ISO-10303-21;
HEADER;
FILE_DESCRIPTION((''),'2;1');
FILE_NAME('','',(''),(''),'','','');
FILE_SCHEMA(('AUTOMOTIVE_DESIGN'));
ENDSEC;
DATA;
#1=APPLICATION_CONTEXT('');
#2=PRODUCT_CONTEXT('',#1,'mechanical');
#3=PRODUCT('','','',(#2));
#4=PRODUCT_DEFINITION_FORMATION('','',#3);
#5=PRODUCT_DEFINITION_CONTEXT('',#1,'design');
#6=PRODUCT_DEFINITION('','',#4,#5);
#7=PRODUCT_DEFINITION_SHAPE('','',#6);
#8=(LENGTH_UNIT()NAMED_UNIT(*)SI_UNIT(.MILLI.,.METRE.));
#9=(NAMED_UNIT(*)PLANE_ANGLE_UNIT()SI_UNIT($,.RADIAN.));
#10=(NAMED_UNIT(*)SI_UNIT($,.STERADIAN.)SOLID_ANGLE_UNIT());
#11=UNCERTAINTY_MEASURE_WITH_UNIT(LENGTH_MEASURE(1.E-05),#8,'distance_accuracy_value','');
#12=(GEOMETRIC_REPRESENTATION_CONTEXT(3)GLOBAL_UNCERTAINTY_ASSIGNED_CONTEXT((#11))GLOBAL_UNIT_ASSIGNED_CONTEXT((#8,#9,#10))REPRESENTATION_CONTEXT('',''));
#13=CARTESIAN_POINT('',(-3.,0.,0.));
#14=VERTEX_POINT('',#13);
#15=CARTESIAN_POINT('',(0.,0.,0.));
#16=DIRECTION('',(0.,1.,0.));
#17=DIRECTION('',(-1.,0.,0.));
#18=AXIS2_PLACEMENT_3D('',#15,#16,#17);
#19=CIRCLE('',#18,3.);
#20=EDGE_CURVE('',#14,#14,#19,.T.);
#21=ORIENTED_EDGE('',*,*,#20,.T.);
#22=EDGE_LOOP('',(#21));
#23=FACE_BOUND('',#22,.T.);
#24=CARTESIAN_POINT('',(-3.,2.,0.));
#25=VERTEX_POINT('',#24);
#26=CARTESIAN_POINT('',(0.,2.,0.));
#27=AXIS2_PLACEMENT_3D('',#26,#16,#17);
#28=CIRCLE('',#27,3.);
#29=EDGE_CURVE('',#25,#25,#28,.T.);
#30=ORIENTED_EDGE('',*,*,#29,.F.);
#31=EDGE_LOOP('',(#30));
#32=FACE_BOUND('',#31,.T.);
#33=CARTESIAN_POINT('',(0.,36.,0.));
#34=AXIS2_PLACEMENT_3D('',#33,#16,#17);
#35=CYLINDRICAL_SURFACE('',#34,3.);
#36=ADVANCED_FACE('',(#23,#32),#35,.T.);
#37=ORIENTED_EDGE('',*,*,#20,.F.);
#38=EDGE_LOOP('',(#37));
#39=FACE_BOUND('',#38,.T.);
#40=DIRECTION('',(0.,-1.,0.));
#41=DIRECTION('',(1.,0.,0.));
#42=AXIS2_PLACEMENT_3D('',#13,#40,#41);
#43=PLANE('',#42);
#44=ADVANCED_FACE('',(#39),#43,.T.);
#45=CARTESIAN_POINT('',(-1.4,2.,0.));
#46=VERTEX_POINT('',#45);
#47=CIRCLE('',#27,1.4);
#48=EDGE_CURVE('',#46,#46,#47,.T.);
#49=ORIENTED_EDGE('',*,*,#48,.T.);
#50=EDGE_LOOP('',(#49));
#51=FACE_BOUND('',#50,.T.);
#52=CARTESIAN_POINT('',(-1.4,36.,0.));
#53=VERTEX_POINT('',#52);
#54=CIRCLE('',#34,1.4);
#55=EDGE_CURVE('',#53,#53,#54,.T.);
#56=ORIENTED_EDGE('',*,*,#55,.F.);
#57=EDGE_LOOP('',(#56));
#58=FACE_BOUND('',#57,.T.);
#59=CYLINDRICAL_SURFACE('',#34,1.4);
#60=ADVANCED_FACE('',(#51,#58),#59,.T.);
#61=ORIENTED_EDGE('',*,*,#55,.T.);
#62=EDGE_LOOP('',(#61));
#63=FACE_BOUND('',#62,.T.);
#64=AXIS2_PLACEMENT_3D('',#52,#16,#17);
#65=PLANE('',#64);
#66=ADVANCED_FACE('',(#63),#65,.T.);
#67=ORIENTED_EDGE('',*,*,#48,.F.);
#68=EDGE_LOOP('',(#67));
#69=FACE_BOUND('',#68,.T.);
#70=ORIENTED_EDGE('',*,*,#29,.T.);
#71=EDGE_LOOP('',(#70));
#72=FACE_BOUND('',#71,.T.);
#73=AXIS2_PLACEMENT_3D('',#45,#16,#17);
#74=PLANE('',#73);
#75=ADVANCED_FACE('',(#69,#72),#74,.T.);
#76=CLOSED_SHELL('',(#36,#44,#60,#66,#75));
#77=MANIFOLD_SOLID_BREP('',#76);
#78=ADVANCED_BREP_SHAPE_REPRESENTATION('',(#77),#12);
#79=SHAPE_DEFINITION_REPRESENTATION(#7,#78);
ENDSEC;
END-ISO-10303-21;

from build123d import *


with BuildPart() as part:
    # Sketch1 → Revolve1 (revolve)
    with BuildSketch(Plane.XY):
        Polygon((-1.4, 2), (-1.4, 36), (0, 36), (0, 0), (-3, 0), (-3, 2), align=None)
    revolve(axis=Axis((0, 36, 0), (0, -1, 0)))


solid = part.part
